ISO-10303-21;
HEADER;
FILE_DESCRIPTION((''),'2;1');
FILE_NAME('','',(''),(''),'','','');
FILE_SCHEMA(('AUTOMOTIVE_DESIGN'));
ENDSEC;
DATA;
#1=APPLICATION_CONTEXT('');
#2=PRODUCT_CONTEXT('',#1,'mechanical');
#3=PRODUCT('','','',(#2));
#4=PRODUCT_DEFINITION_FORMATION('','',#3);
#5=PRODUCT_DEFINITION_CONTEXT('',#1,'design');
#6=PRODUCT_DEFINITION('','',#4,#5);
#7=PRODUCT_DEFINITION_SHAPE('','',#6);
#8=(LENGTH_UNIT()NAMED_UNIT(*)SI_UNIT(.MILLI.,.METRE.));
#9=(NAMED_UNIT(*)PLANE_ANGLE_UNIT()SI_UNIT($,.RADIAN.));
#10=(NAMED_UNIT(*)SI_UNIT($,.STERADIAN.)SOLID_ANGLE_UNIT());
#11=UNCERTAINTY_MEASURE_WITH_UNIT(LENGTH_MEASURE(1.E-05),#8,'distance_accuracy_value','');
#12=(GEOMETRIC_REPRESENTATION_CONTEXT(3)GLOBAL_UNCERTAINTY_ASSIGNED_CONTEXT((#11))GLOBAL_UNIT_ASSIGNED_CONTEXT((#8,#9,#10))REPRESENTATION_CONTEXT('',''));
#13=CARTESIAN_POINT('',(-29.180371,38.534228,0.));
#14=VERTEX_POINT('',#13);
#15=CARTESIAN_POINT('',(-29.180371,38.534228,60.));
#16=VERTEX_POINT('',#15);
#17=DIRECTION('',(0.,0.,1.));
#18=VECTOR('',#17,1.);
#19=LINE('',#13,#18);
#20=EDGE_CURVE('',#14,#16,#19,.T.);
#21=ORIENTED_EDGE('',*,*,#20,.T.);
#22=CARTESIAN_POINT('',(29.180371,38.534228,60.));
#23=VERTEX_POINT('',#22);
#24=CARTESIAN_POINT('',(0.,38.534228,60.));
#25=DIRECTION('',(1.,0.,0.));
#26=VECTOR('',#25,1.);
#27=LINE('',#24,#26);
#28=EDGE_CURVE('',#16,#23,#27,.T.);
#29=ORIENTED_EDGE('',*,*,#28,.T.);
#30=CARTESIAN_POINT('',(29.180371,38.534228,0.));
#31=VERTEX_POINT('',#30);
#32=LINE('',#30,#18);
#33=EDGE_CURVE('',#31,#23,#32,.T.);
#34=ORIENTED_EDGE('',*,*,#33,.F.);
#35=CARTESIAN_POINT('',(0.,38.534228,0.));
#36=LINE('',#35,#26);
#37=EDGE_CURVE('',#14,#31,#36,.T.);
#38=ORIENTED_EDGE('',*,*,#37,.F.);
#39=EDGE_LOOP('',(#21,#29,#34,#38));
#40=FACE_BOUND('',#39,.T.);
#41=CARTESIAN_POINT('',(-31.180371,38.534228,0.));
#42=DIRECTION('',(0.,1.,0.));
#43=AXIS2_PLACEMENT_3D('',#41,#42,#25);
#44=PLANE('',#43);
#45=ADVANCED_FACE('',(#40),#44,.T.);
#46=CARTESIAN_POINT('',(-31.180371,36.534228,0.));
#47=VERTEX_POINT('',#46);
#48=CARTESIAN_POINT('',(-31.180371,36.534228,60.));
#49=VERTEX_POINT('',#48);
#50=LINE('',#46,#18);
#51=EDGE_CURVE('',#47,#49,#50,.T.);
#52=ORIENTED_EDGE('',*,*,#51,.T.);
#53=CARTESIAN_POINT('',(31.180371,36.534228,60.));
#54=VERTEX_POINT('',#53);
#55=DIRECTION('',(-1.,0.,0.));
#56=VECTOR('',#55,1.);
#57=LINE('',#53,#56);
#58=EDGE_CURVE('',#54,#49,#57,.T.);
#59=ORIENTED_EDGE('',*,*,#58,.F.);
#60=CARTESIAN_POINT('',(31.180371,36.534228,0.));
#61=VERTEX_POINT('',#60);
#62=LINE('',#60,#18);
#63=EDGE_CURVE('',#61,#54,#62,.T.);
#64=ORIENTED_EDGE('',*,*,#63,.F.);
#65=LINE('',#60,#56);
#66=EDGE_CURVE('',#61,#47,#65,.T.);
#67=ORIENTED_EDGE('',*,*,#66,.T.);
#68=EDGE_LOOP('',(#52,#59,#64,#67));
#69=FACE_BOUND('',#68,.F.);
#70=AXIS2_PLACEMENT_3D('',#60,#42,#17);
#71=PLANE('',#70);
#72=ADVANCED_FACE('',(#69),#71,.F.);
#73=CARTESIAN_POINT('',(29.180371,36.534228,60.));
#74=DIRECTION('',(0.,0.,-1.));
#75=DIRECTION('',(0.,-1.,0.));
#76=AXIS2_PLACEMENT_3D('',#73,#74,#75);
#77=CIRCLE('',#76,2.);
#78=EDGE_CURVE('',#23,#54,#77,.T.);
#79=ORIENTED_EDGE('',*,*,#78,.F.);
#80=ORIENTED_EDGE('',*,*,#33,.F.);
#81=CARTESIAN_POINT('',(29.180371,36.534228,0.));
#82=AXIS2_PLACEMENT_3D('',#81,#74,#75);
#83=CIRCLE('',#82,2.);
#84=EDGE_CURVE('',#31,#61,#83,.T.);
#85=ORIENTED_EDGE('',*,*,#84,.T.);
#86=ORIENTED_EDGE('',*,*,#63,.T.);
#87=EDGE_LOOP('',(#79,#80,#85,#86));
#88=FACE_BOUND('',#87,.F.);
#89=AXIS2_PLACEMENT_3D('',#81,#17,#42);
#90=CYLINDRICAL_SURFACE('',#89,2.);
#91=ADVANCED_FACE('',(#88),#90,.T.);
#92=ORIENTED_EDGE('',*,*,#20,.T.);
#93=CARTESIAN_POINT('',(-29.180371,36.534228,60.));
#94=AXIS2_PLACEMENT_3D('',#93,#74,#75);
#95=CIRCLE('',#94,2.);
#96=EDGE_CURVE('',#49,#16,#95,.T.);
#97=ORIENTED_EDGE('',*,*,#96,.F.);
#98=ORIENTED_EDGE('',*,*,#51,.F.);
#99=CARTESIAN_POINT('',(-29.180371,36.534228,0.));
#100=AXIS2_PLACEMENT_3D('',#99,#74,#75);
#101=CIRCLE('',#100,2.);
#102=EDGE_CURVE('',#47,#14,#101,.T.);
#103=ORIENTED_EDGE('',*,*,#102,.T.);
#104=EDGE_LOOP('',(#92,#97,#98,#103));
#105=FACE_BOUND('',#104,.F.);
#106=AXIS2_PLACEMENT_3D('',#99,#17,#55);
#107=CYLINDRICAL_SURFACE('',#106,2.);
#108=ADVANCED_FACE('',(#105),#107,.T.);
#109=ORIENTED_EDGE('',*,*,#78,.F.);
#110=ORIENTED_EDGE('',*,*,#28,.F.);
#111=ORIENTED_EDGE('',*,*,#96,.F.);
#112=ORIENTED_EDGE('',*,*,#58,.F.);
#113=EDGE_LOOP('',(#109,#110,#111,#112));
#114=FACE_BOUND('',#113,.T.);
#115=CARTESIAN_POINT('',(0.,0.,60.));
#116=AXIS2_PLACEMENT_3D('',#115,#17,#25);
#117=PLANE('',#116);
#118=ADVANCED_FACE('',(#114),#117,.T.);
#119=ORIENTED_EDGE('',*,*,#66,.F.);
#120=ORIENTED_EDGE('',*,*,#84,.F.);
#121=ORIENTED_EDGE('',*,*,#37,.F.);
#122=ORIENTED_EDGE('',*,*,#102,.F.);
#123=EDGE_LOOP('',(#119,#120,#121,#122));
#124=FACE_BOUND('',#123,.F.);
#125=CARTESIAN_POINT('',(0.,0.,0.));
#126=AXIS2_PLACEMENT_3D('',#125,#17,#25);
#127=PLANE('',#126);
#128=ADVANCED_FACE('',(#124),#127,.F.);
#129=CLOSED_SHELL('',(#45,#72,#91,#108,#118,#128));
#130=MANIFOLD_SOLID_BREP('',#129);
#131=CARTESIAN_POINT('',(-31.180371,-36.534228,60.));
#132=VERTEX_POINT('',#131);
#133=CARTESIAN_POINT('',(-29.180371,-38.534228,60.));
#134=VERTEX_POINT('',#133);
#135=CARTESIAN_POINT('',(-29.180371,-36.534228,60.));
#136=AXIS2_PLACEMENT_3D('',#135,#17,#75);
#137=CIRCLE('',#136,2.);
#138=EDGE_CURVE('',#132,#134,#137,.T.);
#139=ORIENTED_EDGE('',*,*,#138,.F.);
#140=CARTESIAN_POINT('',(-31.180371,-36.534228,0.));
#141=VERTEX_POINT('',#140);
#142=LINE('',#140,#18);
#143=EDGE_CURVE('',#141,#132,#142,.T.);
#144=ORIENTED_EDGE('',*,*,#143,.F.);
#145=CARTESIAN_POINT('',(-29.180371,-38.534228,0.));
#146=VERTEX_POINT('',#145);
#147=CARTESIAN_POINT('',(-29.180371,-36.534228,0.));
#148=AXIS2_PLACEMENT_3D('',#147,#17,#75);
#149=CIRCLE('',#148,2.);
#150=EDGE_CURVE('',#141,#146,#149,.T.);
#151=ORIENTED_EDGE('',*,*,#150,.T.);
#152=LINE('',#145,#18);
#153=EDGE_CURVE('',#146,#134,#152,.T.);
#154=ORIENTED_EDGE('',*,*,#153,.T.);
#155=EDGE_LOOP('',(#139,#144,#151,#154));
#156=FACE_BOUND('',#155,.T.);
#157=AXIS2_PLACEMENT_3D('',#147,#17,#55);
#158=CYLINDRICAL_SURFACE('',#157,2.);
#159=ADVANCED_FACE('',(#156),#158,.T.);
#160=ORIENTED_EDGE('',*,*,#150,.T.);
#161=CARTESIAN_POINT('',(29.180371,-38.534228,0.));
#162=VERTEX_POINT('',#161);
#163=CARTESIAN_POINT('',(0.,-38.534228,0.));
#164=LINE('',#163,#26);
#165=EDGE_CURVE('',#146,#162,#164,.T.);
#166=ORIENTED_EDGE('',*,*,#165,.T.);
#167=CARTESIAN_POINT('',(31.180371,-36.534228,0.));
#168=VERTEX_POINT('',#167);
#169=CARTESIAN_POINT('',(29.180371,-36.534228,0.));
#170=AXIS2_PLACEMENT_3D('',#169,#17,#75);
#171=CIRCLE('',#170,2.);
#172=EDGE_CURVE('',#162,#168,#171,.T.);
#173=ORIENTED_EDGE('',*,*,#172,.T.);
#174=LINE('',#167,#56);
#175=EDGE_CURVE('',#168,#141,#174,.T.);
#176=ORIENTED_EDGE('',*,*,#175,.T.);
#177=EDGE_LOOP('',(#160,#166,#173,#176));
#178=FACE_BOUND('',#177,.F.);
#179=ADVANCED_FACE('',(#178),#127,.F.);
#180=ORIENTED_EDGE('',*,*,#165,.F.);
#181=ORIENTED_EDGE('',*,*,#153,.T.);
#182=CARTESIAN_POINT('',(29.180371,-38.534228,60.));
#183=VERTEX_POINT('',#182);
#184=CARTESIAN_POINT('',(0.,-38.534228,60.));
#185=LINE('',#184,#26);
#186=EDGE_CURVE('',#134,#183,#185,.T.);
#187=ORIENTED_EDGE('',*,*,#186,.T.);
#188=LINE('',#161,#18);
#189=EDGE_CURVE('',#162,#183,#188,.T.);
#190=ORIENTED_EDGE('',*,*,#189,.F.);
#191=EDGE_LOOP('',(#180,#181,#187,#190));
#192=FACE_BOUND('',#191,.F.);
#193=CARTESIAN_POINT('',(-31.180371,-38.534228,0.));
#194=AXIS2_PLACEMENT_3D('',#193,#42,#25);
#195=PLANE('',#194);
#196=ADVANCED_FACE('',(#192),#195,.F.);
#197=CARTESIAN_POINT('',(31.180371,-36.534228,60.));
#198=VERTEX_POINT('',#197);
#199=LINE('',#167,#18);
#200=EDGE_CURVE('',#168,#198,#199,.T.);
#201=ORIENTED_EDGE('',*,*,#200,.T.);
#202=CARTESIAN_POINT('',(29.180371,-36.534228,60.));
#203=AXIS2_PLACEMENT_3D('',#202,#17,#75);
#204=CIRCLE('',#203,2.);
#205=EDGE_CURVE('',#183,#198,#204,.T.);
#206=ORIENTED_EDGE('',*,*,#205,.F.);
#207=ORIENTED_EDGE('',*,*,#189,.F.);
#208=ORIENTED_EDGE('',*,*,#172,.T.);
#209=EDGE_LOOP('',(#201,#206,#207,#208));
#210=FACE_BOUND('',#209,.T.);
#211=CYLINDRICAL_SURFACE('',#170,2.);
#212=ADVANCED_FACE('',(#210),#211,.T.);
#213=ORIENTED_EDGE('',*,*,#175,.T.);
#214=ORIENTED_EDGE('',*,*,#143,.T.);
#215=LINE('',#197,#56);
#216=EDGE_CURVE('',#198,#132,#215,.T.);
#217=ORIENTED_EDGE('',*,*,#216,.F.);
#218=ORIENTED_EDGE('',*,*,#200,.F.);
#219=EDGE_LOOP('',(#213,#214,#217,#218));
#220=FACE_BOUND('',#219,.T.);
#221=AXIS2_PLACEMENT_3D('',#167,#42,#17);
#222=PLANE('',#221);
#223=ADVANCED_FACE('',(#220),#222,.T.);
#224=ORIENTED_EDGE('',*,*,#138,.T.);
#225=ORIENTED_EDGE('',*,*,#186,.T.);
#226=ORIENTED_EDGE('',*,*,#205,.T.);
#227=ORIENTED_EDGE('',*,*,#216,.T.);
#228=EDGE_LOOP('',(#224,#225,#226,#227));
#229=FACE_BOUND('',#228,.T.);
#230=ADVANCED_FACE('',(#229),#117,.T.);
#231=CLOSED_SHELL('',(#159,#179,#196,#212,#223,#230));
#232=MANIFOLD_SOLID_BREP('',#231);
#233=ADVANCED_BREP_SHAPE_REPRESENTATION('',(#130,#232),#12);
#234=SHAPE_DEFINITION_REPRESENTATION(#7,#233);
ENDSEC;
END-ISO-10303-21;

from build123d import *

# Parameters (mm, degrees)
F0_W      = 62.360742
F0_H      = 77.068456
F0_W_2    = 39.41669
F0_H_2    = 51.771178
F1_DEPTH  = 60
F2_R      = 2
F1_FACE_W = 73.068456
F1_FACE_H = 60
F3_DEPTH  = 70


with BuildPart() as f1:
    # F0 (on Top) → F1 (new body)
    with BuildSketch(Plane.XY):
        Rectangle(F0_W, F0_H)
        Rectangle(F0_W_2, F0_H_2, mode=Mode.SUBTRACT)
    extrude(amount=F1_DEPTH)

    # F2
    f2_edges = [f1.edges().sort_by_distance(p)[0] for p in [
        (-31.180371, 38.534228, 30),
        (-31.180371, -38.534228, 30),
        (31.180371, -38.534228, 30),
        (31.180371, 38.534228, 30),
    ]]
    fillet(f2_edges, radius=F2_R)

    # F1_face (on face) → F3 (cut)
    with BuildSketch(Plane(origin=(31.180371, 0, 30), x_dir=(0, 1, 0), z_dir=(1, 0, 0))):
        Rectangle(F1_FACE_W, F1_FACE_H)
    extrude(amount=-F3_DEPTH, mode=Mode.SUBTRACT)


solid = f1.part
